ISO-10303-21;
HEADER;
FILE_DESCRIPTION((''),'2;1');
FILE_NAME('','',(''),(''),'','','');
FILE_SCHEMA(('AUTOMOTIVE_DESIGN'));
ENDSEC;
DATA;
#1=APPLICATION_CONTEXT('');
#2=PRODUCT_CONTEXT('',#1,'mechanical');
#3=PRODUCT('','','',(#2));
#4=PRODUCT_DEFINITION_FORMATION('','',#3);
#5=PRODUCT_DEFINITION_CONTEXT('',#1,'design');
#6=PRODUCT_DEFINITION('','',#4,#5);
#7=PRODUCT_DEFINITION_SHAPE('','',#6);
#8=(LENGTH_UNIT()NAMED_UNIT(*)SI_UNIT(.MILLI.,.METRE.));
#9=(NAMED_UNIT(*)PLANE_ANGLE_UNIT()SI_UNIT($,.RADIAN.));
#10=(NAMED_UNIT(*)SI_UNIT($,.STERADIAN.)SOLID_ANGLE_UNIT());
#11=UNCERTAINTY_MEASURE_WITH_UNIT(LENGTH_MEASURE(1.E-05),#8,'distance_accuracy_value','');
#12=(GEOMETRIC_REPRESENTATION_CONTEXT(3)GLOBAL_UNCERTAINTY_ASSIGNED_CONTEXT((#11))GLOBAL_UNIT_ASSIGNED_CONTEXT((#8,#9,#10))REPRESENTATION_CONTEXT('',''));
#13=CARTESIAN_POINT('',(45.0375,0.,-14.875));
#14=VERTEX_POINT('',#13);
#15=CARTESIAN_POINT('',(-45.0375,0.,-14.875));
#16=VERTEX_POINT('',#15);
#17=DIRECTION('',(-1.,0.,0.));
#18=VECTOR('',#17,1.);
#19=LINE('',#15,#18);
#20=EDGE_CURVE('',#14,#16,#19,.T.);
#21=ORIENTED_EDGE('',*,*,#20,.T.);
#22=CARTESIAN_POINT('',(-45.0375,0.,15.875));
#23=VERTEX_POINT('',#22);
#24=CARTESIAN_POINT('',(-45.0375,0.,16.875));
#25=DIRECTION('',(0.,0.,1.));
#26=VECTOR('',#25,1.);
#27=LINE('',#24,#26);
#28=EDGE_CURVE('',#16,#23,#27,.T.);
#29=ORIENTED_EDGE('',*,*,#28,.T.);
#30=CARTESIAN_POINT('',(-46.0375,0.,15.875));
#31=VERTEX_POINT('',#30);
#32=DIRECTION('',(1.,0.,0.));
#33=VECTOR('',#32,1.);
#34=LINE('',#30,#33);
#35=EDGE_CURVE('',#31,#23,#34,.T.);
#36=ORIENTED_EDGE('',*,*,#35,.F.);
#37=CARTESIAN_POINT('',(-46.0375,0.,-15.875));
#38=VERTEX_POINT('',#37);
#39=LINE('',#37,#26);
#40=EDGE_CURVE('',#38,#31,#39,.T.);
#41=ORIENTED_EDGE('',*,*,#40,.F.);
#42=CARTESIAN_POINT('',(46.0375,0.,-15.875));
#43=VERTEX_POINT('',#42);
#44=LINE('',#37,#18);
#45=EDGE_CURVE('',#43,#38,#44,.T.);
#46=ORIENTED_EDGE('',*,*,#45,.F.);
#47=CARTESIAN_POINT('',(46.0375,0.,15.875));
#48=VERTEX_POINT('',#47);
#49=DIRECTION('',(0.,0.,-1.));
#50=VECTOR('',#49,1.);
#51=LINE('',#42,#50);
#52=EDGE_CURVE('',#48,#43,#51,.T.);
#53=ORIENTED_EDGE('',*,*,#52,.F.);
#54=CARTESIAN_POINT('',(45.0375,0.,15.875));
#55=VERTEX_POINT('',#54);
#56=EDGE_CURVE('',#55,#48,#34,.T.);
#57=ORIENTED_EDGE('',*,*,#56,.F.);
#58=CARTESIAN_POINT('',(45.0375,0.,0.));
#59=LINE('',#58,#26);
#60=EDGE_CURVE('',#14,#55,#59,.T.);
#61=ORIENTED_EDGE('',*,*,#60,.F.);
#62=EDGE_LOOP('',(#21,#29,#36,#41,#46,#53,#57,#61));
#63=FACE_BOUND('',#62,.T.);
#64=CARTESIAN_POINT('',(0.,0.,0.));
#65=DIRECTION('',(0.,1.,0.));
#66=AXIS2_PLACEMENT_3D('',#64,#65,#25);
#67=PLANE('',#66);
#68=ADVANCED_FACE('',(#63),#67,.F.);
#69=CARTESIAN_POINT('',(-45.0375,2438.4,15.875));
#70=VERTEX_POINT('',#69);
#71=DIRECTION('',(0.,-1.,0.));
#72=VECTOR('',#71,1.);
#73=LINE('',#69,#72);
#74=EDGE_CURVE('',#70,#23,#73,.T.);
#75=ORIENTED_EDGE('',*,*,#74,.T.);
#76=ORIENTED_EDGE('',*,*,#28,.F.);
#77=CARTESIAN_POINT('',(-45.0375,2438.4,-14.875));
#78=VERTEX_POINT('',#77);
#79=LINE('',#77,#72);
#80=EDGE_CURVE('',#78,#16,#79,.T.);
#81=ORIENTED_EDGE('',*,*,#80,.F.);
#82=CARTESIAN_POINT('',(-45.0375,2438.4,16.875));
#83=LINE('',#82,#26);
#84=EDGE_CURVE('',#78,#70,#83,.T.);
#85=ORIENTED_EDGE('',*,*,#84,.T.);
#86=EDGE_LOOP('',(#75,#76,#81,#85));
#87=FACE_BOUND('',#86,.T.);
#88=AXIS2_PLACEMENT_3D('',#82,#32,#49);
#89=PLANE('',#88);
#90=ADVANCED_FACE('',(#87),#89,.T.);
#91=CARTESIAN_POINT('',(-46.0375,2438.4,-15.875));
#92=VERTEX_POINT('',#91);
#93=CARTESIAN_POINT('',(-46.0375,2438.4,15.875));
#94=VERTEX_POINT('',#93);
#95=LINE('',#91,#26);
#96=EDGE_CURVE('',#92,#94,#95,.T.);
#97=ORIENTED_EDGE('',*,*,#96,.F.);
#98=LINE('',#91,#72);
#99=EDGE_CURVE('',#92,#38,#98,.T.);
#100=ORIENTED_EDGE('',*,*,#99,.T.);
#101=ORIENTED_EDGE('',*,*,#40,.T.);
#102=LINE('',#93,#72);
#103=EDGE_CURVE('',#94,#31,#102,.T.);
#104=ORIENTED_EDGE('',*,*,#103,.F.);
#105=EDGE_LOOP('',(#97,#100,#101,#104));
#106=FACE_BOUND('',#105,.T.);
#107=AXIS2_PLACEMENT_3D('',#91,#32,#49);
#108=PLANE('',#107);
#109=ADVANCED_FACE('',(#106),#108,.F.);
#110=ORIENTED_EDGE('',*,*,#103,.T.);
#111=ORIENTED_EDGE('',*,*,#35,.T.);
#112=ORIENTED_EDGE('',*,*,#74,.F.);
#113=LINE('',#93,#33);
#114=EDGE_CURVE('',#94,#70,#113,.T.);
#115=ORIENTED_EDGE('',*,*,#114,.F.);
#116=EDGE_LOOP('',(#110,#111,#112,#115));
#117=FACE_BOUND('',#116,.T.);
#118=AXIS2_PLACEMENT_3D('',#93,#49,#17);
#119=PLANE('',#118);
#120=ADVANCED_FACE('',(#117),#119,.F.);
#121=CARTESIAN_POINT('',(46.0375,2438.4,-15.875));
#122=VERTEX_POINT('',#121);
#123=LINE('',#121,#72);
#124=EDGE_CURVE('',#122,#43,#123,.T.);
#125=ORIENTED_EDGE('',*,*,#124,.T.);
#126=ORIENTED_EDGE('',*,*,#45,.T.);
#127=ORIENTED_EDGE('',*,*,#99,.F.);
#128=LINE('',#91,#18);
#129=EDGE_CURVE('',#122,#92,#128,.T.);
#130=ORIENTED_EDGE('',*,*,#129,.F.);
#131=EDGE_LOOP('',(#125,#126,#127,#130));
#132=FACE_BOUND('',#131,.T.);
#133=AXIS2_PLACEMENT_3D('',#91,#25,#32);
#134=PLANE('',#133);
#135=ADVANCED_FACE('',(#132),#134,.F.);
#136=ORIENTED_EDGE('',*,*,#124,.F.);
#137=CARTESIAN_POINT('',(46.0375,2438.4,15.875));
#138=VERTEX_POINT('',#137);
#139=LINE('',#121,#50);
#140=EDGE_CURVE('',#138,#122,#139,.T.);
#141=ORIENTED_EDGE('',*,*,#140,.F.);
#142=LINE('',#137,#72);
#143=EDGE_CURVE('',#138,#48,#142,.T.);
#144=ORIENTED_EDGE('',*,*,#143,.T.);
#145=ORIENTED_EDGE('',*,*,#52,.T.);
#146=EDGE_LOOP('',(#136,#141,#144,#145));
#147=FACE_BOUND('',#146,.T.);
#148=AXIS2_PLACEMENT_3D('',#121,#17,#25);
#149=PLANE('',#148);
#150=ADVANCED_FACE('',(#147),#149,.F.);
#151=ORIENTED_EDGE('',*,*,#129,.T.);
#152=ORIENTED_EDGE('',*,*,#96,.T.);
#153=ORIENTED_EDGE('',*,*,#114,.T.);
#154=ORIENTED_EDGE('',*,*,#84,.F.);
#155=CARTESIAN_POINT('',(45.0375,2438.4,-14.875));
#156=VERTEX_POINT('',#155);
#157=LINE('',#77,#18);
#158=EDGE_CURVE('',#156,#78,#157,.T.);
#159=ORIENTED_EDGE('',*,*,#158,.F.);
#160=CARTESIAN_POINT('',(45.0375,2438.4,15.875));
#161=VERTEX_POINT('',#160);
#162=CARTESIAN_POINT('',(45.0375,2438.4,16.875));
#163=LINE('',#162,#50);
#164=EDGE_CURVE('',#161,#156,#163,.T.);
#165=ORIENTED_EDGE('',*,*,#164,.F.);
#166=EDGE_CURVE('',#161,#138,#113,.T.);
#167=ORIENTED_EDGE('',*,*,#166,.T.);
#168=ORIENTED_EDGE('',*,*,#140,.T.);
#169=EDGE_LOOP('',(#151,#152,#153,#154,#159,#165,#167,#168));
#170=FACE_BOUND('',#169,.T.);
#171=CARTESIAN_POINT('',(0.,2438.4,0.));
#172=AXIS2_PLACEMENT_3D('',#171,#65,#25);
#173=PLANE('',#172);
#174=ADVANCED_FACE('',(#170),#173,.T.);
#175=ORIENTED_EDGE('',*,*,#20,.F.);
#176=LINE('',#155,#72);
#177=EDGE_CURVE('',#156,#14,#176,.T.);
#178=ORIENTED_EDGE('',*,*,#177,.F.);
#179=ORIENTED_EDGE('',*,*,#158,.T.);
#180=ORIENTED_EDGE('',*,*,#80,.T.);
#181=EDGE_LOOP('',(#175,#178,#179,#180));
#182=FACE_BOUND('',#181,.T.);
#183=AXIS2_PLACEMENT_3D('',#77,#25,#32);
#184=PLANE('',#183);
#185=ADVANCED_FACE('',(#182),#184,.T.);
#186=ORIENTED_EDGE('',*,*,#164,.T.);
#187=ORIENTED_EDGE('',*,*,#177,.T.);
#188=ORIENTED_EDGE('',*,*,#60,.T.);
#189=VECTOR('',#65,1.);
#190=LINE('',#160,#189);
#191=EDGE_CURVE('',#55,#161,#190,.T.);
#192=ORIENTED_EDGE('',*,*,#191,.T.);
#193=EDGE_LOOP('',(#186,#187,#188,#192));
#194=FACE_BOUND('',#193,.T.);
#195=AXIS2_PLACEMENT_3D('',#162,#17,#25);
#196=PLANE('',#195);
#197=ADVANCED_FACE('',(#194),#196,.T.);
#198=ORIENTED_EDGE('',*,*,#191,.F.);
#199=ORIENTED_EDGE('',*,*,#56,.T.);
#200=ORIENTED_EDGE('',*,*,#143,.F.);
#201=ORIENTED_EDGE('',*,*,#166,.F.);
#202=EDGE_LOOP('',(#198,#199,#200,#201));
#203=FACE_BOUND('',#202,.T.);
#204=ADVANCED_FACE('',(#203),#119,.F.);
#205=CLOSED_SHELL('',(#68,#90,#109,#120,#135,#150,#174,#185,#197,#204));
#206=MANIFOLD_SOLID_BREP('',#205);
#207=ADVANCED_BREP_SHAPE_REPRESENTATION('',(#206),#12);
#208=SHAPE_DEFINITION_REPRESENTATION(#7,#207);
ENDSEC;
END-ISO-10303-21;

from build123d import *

# Parameters (mm, degrees)
SKETCH1_W           = 92.075
SKETCH1_H           = 31.75
BOSS_EXTRUDE1_DEPTH = 2438.4
SKETCH2_W           = 90.075
SKETCH2_H           = 31.75
CUT_EXTRUDE1_DEPTH  = 2438.4


with BuildPart() as part:
    # Sketch1 → Boss-Extrude1 (new body)
    with BuildSketch(Plane(origin=(0, 0, 0), x_dir=(1, 0, 0), z_dir=(0, 1, 0))):
        Rectangle(SKETCH1_W, SKETCH1_H)
    extrude(amount=BOSS_EXTRUDE1_DEPTH)

    # Sketch2 → Cut-Extrude1 (cut)
    with BuildSketch(Plane(origin=(0, 0, 0), x_dir=(1, 0, 0), z_dir=(0, 1, 0))):
        with Locations((0, -1)):
            Rectangle(SKETCH2_W, SKETCH2_H)
    extrude(amount=CUT_EXTRUDE1_DEPTH, mode=Mode.SUBTRACT)


solid = part.part
